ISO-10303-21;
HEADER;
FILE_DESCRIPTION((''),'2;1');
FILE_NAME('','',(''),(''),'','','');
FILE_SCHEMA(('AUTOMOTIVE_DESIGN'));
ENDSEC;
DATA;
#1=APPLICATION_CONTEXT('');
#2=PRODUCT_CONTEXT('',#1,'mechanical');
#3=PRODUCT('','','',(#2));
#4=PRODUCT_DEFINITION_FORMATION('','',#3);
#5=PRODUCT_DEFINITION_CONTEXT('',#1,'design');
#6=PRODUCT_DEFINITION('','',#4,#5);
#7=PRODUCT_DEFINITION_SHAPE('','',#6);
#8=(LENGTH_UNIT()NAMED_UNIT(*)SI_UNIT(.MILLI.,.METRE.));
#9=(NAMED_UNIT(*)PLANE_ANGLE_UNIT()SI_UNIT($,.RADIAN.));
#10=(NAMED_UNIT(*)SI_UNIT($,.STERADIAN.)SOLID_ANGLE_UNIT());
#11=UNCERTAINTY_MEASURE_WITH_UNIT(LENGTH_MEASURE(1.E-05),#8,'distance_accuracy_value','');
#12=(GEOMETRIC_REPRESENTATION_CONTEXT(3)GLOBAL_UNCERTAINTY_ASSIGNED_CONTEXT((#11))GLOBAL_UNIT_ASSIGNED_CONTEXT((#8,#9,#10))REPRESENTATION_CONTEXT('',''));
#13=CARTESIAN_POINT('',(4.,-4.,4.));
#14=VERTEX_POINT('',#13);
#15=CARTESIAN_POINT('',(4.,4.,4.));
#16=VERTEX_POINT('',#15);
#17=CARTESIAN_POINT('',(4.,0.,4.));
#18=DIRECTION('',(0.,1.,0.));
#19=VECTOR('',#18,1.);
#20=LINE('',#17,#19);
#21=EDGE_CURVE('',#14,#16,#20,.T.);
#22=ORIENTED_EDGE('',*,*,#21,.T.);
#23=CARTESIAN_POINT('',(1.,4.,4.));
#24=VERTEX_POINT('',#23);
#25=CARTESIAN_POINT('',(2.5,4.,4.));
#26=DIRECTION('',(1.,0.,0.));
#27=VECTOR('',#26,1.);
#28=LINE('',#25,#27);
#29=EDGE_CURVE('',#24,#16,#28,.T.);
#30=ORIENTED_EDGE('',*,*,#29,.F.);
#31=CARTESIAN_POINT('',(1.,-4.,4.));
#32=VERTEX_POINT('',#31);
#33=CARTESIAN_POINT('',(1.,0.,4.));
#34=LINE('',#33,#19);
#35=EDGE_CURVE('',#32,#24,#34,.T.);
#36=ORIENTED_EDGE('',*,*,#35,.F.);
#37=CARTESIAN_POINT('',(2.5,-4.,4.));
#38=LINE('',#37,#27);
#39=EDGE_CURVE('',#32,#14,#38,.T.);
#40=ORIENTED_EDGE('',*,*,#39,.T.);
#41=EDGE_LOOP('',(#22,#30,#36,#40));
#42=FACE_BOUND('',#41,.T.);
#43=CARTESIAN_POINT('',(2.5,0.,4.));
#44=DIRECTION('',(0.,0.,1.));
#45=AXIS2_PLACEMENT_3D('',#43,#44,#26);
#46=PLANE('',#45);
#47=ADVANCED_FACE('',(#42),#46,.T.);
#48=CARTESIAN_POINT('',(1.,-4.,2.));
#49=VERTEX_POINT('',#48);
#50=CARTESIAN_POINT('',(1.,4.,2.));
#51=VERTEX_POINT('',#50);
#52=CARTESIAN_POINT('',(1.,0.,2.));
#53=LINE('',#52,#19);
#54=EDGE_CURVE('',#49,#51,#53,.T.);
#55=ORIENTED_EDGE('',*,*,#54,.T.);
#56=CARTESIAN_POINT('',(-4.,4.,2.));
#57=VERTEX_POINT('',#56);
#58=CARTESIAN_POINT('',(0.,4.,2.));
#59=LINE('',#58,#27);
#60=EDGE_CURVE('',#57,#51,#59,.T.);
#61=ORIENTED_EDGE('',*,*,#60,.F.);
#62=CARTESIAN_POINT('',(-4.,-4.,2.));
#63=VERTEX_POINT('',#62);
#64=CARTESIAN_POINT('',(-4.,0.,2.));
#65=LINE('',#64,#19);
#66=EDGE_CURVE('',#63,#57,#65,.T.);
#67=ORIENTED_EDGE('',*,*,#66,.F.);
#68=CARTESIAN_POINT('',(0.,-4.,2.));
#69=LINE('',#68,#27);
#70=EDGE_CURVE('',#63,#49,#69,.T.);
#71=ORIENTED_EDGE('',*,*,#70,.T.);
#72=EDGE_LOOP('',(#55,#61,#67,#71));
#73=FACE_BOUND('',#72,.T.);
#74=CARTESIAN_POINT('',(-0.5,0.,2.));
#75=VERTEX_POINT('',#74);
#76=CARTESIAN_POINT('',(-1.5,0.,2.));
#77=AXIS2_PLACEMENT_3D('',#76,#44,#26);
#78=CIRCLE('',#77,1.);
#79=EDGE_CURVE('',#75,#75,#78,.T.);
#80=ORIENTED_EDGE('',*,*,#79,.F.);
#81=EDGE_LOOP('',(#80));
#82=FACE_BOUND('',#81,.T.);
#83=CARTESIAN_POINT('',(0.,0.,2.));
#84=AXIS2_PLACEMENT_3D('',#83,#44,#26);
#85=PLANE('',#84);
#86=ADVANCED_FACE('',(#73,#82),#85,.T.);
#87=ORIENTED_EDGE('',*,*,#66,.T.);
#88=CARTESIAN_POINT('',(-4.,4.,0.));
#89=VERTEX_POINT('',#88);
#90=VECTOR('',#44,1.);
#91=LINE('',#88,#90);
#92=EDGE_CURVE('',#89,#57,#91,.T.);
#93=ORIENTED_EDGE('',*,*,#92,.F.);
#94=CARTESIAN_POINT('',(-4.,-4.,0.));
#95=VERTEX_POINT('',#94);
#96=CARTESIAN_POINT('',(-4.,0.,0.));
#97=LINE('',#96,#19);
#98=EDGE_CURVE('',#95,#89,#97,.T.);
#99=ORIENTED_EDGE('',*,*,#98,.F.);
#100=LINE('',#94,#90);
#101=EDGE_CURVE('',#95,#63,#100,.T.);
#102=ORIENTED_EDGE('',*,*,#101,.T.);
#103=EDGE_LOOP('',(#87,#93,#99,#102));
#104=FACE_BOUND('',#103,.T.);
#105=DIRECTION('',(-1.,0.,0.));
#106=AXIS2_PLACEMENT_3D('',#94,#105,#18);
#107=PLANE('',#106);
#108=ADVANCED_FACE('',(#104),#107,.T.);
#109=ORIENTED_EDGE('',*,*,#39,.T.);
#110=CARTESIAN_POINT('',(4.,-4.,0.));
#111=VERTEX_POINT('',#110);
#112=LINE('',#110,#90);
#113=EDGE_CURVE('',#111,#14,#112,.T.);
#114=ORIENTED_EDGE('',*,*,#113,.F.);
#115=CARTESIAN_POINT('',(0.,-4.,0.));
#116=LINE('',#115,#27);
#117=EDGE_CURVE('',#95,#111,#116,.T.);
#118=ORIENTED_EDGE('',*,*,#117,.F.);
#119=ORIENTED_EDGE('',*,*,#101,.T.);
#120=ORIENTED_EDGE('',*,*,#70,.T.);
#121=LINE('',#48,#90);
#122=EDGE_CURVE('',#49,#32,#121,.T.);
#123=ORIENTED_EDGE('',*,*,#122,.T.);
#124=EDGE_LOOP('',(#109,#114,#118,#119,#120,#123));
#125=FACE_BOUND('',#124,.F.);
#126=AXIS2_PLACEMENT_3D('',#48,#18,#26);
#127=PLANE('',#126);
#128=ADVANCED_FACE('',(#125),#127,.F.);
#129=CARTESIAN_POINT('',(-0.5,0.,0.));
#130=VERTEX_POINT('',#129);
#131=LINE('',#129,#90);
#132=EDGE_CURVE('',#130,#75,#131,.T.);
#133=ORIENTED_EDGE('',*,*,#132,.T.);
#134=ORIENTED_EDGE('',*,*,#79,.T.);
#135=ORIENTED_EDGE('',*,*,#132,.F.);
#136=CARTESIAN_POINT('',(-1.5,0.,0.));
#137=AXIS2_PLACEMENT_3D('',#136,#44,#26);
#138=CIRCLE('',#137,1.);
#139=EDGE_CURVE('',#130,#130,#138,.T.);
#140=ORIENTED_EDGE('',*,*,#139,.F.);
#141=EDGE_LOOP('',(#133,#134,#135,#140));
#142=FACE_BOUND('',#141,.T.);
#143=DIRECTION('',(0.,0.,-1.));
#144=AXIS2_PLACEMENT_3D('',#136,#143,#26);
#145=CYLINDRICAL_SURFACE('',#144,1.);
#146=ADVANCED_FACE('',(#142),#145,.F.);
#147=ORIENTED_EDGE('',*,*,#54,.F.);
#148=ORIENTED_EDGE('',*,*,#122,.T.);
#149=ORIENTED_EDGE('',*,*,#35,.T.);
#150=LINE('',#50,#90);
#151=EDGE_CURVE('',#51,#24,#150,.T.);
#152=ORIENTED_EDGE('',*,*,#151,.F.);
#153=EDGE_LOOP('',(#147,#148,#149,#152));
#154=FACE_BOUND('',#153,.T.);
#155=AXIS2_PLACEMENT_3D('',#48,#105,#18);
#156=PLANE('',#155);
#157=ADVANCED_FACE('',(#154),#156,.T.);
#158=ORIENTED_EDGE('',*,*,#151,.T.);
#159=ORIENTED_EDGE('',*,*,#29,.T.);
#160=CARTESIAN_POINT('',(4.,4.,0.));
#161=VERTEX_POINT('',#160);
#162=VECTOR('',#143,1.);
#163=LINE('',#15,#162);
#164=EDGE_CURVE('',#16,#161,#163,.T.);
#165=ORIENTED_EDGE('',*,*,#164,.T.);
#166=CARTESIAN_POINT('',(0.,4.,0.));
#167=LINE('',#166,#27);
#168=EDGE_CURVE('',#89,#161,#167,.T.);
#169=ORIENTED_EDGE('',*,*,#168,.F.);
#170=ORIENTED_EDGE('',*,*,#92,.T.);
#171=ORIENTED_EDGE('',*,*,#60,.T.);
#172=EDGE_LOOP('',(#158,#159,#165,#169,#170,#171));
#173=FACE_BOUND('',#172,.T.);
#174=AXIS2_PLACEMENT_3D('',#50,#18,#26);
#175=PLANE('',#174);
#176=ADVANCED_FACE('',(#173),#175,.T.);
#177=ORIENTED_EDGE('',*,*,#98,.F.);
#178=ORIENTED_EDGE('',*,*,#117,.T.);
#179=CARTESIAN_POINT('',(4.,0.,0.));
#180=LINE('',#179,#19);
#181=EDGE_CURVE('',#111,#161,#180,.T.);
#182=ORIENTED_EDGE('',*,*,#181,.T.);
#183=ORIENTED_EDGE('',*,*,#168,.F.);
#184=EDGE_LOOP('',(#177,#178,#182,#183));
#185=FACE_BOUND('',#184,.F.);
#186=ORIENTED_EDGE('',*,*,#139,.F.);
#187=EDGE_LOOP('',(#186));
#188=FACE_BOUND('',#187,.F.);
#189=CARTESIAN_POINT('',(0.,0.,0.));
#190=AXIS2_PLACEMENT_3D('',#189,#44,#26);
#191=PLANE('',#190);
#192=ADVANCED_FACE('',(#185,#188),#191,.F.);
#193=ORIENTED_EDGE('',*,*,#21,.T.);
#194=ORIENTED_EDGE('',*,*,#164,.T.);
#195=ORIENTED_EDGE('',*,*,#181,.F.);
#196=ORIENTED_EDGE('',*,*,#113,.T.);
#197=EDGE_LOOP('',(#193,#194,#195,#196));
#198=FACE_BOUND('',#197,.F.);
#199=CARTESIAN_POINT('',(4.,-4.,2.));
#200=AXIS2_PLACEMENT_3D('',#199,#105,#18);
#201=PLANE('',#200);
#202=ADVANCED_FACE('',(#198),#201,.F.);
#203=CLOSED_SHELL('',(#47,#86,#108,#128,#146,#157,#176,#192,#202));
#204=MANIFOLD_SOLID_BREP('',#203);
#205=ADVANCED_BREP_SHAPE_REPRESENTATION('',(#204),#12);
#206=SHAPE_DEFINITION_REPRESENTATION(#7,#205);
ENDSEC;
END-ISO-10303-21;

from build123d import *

# Parameters (mm, degrees)
F0_W     = 8
F0_H     = 8
F0_R     = 1
F1_DEPTH = 2
F2_W     = 3
F2_H     = 8
F3_DEPTH = 2


with BuildPart() as f1:
    # F0 (on Top) → F1 (new body)
    with BuildSketch(Plane.XY):
        Rectangle(F0_W, F0_H)
        with Locations((-1.5, 0)):
            Circle(F0_R, mode=Mode.SUBTRACT)
    extrude(amount=F1_DEPTH)

    # F2 (on face) → F3 (join)
    with BuildSketch(Plane.XY.offset(2)):
        with Locations((2.5, 0)):
            Rectangle(F2_W, F2_H)
    extrude(amount=F3_DEPTH)


solid = f1.part
